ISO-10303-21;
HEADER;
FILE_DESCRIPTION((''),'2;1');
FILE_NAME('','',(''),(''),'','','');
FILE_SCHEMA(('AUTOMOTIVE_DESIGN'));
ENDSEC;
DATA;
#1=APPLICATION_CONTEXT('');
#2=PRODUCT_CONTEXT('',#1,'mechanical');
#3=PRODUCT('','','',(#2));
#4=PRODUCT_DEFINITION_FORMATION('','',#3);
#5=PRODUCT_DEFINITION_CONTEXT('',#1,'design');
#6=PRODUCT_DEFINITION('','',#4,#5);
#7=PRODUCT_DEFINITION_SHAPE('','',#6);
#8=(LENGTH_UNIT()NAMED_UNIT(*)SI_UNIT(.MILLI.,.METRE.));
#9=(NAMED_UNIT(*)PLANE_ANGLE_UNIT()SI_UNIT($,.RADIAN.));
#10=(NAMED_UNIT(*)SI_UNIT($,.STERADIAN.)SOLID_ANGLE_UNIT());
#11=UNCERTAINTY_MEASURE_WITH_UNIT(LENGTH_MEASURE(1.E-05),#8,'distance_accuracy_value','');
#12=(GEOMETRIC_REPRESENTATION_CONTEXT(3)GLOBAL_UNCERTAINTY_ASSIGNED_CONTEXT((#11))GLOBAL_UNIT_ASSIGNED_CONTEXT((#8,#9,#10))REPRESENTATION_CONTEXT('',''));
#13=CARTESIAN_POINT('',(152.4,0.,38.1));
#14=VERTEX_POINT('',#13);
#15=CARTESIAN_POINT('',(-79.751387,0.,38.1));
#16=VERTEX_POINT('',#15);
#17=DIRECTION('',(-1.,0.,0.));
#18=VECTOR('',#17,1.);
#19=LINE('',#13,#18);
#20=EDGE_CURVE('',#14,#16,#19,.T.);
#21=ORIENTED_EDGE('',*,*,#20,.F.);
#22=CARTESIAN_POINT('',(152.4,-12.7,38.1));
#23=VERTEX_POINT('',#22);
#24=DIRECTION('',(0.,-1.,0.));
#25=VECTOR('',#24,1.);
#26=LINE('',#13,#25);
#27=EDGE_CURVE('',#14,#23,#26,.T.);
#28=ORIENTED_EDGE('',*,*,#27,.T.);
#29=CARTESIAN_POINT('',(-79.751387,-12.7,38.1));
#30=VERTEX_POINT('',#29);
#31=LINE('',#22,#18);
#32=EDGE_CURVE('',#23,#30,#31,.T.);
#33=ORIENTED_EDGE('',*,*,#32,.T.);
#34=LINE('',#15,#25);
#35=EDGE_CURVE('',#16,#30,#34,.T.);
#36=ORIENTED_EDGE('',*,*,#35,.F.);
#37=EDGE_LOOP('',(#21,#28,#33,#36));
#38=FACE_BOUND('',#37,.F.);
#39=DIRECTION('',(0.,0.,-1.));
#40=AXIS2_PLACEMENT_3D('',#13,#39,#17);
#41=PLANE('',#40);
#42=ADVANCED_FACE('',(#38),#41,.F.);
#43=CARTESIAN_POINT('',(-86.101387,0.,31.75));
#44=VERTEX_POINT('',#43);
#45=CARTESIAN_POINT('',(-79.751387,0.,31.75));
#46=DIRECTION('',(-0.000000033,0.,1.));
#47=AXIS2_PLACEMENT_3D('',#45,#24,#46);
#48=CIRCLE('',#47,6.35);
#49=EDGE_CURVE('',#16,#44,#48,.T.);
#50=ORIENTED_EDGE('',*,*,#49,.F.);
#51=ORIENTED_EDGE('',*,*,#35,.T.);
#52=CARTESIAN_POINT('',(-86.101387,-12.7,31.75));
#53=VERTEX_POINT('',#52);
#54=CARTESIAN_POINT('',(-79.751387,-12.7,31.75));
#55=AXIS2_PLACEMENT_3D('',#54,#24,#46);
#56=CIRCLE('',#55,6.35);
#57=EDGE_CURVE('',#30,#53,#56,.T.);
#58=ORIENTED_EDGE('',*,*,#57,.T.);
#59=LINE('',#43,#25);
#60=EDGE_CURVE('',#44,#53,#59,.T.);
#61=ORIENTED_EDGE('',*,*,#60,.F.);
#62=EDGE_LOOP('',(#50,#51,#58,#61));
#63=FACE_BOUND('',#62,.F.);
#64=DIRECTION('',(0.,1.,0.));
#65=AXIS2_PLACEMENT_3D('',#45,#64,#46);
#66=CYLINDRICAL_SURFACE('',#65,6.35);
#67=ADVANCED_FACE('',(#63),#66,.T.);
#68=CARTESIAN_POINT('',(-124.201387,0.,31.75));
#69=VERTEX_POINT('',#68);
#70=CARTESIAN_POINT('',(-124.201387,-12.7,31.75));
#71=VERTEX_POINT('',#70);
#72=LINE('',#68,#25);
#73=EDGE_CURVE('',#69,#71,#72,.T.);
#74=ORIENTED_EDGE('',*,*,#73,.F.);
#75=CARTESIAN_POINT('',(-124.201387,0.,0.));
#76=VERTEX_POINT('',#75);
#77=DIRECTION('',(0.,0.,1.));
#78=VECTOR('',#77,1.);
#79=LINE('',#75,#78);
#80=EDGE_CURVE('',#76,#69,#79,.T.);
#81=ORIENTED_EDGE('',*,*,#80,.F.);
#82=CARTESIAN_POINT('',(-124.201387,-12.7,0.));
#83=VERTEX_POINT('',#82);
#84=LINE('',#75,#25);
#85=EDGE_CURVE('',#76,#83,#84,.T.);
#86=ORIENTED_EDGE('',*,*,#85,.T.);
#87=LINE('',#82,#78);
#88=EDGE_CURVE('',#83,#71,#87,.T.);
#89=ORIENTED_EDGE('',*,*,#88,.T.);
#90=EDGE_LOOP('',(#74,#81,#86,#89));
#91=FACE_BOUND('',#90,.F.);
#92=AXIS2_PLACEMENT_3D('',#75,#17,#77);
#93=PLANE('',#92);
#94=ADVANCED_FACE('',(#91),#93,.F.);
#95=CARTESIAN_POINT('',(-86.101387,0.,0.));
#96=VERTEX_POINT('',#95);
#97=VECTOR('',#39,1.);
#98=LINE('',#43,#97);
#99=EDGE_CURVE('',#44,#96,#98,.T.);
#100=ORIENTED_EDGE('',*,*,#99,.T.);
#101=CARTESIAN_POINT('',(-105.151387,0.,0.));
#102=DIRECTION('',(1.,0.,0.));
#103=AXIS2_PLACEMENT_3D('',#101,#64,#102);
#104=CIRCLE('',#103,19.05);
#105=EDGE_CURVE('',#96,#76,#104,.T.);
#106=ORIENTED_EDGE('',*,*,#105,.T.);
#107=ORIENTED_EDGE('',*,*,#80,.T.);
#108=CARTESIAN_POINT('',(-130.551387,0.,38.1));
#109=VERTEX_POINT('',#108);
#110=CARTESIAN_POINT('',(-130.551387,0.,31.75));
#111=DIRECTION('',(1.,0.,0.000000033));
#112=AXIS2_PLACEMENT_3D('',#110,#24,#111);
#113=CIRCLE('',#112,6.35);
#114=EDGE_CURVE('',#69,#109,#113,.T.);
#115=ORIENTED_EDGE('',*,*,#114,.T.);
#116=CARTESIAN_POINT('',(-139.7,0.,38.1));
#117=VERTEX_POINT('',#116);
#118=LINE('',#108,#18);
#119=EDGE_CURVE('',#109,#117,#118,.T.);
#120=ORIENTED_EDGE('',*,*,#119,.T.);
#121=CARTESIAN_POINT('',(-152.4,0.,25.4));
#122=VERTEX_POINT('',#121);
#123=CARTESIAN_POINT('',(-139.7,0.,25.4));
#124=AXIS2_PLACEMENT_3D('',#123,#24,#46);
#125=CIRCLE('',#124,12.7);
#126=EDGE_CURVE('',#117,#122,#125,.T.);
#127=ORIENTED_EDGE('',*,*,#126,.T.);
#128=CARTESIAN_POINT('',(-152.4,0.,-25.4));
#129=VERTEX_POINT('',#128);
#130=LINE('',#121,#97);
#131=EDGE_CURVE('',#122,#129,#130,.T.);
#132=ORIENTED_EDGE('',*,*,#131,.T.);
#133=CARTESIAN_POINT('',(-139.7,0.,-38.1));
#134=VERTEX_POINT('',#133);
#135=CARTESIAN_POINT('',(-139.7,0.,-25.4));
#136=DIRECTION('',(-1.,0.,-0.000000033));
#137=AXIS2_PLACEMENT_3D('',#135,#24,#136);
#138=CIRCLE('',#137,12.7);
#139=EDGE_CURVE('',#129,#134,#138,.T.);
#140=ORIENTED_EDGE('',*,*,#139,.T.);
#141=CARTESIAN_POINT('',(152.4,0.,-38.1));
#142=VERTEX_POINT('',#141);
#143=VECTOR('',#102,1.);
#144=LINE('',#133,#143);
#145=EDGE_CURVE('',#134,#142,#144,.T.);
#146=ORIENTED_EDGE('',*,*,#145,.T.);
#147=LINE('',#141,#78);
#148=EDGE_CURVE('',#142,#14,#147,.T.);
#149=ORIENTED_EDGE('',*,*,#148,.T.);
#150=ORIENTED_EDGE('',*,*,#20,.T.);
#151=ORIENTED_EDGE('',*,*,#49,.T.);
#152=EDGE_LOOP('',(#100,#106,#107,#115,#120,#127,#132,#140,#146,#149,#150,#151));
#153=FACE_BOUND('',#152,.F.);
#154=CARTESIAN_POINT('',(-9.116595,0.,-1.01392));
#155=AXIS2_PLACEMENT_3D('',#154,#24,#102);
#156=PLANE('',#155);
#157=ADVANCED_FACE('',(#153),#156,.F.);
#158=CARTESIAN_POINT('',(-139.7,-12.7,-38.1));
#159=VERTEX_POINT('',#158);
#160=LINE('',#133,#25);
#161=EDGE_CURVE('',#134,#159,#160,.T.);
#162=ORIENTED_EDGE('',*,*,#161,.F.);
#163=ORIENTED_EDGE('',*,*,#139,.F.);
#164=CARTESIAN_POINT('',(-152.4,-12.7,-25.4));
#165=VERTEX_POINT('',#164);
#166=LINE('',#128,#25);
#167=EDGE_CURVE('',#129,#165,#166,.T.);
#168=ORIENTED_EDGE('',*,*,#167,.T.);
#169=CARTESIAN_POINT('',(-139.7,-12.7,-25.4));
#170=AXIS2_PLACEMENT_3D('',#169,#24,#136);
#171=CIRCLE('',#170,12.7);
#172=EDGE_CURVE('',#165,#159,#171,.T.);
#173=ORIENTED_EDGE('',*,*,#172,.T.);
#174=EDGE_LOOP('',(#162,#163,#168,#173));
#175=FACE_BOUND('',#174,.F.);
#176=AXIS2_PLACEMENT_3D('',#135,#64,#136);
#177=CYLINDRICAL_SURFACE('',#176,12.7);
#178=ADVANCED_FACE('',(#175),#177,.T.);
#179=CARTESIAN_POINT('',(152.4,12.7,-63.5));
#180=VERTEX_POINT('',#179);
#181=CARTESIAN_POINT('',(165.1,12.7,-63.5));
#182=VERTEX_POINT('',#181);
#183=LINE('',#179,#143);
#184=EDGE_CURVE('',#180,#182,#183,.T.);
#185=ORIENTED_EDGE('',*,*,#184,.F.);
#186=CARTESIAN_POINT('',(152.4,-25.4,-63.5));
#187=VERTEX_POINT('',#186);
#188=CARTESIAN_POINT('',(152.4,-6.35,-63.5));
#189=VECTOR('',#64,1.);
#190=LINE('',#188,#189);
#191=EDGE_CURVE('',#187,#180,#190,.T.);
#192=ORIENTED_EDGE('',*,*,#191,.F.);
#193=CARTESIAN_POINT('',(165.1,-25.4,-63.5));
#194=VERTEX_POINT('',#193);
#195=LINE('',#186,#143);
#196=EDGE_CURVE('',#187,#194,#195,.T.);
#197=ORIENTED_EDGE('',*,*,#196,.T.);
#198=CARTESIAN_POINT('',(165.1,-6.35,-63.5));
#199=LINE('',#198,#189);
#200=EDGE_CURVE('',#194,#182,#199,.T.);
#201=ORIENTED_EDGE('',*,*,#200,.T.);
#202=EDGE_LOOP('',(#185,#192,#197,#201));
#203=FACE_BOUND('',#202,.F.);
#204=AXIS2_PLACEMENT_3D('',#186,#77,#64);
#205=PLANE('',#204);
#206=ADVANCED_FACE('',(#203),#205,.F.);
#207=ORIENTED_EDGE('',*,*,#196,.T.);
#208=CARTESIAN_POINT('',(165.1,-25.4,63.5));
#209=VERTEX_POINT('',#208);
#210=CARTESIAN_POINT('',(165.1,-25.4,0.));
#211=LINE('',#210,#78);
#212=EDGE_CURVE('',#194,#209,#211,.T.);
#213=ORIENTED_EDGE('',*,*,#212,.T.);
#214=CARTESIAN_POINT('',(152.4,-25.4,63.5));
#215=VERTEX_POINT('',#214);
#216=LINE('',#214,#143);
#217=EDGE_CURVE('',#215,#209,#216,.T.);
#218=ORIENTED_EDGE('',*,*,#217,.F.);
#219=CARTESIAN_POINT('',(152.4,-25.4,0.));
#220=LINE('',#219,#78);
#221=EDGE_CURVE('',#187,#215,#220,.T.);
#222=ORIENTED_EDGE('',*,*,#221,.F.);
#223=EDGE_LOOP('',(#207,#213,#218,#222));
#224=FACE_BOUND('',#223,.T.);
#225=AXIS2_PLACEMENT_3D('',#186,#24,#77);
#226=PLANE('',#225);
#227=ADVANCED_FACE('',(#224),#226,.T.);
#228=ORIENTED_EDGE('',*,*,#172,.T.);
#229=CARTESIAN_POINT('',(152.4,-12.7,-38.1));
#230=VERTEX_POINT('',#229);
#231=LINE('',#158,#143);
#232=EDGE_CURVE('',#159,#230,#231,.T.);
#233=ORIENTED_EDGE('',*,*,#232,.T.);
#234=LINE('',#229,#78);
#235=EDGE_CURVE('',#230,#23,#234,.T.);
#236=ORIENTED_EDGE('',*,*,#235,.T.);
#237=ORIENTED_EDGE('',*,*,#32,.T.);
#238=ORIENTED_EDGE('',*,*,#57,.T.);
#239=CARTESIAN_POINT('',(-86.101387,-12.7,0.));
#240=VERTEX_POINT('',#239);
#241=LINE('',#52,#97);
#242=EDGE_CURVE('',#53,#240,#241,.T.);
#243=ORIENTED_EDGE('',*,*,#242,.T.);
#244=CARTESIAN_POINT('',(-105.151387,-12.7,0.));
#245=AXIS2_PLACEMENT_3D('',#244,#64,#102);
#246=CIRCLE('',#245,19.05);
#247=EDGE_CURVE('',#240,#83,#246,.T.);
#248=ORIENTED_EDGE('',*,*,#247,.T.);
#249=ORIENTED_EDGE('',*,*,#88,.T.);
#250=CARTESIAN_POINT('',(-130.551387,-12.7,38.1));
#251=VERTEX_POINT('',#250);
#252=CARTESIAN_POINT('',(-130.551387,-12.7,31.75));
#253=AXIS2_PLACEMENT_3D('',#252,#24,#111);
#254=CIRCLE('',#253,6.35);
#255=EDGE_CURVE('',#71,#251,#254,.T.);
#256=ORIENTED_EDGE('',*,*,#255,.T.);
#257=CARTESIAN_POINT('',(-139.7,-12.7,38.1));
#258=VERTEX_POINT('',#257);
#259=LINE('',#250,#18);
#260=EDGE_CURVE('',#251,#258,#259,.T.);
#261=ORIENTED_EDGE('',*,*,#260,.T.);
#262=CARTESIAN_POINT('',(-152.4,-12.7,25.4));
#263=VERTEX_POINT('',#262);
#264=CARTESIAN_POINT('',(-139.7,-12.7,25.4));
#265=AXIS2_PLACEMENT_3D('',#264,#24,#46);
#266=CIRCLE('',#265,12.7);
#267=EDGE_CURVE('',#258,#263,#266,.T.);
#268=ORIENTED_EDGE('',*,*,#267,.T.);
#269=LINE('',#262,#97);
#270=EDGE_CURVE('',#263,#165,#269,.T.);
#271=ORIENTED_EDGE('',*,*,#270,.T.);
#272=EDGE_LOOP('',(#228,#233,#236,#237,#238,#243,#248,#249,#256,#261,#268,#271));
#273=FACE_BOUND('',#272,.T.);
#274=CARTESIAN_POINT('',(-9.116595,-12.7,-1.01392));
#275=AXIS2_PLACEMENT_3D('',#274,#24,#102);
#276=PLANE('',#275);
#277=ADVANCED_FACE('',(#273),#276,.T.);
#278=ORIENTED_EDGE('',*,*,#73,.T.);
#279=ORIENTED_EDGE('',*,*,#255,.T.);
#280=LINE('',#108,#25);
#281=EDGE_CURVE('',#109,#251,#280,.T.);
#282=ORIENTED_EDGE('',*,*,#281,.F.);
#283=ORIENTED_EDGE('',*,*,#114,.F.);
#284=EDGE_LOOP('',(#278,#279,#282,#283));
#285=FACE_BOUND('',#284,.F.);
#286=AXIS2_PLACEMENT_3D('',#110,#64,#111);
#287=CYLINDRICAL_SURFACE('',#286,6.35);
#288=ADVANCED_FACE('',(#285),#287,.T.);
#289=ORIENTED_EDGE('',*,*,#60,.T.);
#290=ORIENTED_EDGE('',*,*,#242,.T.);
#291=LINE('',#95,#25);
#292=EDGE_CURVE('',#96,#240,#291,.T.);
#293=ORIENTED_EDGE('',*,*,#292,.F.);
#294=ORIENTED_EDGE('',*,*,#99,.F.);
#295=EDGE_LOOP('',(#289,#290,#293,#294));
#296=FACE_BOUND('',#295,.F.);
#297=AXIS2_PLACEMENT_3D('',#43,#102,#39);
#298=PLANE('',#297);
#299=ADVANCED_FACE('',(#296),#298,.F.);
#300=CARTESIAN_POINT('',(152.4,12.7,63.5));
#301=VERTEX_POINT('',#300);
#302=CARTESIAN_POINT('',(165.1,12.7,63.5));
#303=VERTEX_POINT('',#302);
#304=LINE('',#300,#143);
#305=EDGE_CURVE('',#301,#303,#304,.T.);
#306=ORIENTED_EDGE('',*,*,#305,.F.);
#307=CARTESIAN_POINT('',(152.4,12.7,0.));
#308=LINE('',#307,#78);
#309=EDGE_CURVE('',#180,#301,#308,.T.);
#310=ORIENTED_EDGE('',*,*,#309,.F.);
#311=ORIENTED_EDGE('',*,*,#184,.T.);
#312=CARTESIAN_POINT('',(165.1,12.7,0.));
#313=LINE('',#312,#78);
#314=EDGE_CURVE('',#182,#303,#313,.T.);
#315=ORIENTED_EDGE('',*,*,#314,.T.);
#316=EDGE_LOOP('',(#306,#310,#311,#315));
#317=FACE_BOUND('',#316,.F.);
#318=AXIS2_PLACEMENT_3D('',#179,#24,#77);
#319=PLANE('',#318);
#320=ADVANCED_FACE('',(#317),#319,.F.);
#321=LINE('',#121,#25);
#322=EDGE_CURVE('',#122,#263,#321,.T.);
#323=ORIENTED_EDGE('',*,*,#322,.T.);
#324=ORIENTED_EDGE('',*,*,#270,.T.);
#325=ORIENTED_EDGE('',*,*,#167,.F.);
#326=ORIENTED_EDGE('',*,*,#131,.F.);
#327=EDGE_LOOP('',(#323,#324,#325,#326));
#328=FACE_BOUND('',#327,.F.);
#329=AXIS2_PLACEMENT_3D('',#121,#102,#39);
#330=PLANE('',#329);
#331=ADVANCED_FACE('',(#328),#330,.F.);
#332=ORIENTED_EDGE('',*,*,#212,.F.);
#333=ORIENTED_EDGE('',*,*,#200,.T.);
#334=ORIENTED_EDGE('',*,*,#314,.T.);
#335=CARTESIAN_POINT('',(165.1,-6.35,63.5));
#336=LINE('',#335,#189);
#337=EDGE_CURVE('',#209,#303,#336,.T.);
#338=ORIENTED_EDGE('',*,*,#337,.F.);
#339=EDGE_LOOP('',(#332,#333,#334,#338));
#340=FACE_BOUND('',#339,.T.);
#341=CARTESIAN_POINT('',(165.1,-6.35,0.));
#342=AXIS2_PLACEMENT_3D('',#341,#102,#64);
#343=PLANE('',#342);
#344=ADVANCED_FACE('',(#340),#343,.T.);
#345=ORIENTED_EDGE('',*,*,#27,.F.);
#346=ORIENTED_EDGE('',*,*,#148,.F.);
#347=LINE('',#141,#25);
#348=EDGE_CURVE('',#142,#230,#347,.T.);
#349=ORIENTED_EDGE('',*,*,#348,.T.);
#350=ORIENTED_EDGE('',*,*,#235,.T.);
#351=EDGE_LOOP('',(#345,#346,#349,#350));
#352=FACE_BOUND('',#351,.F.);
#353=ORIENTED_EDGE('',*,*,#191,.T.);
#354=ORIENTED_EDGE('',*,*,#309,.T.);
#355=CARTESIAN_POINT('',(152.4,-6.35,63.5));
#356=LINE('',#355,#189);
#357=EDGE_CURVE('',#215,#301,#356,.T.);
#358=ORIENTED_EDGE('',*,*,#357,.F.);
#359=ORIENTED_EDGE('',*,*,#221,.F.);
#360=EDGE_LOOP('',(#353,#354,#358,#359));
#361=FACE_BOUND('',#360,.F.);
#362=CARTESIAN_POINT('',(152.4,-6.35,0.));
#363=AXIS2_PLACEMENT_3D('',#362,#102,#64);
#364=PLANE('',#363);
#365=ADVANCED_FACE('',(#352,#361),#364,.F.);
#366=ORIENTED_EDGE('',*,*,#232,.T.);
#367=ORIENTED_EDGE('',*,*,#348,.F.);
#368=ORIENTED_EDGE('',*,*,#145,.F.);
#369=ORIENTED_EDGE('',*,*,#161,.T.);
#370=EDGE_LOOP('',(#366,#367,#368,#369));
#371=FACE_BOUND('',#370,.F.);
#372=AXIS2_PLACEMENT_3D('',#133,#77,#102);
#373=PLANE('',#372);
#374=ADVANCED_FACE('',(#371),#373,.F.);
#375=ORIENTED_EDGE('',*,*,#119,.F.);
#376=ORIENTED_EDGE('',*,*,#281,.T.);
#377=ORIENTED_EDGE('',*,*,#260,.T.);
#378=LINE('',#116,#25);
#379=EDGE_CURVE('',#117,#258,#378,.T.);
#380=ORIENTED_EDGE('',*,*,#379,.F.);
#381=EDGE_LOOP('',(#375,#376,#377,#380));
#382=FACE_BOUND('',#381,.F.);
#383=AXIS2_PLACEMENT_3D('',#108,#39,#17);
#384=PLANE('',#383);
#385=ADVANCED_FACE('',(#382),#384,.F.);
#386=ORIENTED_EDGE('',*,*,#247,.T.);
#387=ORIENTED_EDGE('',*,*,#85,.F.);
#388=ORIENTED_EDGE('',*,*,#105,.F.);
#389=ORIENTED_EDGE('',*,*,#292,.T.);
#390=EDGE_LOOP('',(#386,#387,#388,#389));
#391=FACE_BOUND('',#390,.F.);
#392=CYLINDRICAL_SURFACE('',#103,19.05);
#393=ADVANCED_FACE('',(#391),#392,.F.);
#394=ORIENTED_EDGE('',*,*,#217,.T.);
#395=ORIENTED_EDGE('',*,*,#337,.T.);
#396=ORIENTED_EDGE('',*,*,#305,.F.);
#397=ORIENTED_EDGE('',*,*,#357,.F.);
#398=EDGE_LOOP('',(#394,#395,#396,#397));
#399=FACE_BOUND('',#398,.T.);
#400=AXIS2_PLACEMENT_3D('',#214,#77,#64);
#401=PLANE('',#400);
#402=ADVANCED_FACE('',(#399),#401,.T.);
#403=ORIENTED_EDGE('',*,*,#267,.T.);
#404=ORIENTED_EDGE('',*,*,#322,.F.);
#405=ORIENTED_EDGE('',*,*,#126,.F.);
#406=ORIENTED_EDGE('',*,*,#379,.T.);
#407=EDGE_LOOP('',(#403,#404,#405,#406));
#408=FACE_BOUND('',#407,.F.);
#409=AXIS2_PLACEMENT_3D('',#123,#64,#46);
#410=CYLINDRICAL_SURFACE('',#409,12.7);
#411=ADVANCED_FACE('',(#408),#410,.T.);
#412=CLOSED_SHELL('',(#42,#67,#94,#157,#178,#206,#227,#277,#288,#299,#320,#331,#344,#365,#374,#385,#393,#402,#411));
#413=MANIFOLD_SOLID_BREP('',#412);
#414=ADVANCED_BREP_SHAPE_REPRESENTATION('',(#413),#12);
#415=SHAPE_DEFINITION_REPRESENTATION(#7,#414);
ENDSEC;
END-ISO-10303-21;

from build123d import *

# Parameters (mm, degrees)
F1_DEPTH = 12.7
F2_W     = 38.1
F2_H     = 127
F3_DEPTH = 12.7


with BuildPart() as f1:
    # F0 (on Front) → F1 (new body)
    with BuildSketch(Plane.XZ):
        with BuildLine():
            Line((-139.7, -38.1), (152.4, -38.1))
            Line((152.4, -38.1), (152.4, 38.1))
            Line((152.4, 38.1), (-79.751387, 38.1))
            ThreePointArc((-79.751387, 38.1), (-84.241515, 36.240128), (-86.101387, 31.75))
            Line((-86.101387, 31.75), (-86.101387, 0))
            ThreePointArc((-86.101387, 0), (-105.151387, -19.05), (-124.201387, 0))
            Line((-124.201387, 0), (-124.201387, 31.75))
            ThreePointArc((-124.201387, 31.75), (-126.061259, 36.240128), (-130.551387, 38.1))
            Line((-130.551387, 38.1), (-139.7, 38.1))
            ThreePointArc((-139.7, 38.1), (-148.680256, 34.380256), (-152.4, 25.4))
            Line((-152.4, 25.4), (-152.4, -25.4))
            ThreePointArc((-152.4, -25.4), (-148.680256, -34.380256), (-139.7, -38.1))
        make_face()
    extrude(amount=F1_DEPTH)

    # F2 (on face) → F3 (join)
    with BuildSketch(Plane.YZ.offset(152.4)):
        with Locations((-6.35, 0)):
            Rectangle(F2_W, F2_H)
    extrude(amount=F3_DEPTH)


solid = f1.part
